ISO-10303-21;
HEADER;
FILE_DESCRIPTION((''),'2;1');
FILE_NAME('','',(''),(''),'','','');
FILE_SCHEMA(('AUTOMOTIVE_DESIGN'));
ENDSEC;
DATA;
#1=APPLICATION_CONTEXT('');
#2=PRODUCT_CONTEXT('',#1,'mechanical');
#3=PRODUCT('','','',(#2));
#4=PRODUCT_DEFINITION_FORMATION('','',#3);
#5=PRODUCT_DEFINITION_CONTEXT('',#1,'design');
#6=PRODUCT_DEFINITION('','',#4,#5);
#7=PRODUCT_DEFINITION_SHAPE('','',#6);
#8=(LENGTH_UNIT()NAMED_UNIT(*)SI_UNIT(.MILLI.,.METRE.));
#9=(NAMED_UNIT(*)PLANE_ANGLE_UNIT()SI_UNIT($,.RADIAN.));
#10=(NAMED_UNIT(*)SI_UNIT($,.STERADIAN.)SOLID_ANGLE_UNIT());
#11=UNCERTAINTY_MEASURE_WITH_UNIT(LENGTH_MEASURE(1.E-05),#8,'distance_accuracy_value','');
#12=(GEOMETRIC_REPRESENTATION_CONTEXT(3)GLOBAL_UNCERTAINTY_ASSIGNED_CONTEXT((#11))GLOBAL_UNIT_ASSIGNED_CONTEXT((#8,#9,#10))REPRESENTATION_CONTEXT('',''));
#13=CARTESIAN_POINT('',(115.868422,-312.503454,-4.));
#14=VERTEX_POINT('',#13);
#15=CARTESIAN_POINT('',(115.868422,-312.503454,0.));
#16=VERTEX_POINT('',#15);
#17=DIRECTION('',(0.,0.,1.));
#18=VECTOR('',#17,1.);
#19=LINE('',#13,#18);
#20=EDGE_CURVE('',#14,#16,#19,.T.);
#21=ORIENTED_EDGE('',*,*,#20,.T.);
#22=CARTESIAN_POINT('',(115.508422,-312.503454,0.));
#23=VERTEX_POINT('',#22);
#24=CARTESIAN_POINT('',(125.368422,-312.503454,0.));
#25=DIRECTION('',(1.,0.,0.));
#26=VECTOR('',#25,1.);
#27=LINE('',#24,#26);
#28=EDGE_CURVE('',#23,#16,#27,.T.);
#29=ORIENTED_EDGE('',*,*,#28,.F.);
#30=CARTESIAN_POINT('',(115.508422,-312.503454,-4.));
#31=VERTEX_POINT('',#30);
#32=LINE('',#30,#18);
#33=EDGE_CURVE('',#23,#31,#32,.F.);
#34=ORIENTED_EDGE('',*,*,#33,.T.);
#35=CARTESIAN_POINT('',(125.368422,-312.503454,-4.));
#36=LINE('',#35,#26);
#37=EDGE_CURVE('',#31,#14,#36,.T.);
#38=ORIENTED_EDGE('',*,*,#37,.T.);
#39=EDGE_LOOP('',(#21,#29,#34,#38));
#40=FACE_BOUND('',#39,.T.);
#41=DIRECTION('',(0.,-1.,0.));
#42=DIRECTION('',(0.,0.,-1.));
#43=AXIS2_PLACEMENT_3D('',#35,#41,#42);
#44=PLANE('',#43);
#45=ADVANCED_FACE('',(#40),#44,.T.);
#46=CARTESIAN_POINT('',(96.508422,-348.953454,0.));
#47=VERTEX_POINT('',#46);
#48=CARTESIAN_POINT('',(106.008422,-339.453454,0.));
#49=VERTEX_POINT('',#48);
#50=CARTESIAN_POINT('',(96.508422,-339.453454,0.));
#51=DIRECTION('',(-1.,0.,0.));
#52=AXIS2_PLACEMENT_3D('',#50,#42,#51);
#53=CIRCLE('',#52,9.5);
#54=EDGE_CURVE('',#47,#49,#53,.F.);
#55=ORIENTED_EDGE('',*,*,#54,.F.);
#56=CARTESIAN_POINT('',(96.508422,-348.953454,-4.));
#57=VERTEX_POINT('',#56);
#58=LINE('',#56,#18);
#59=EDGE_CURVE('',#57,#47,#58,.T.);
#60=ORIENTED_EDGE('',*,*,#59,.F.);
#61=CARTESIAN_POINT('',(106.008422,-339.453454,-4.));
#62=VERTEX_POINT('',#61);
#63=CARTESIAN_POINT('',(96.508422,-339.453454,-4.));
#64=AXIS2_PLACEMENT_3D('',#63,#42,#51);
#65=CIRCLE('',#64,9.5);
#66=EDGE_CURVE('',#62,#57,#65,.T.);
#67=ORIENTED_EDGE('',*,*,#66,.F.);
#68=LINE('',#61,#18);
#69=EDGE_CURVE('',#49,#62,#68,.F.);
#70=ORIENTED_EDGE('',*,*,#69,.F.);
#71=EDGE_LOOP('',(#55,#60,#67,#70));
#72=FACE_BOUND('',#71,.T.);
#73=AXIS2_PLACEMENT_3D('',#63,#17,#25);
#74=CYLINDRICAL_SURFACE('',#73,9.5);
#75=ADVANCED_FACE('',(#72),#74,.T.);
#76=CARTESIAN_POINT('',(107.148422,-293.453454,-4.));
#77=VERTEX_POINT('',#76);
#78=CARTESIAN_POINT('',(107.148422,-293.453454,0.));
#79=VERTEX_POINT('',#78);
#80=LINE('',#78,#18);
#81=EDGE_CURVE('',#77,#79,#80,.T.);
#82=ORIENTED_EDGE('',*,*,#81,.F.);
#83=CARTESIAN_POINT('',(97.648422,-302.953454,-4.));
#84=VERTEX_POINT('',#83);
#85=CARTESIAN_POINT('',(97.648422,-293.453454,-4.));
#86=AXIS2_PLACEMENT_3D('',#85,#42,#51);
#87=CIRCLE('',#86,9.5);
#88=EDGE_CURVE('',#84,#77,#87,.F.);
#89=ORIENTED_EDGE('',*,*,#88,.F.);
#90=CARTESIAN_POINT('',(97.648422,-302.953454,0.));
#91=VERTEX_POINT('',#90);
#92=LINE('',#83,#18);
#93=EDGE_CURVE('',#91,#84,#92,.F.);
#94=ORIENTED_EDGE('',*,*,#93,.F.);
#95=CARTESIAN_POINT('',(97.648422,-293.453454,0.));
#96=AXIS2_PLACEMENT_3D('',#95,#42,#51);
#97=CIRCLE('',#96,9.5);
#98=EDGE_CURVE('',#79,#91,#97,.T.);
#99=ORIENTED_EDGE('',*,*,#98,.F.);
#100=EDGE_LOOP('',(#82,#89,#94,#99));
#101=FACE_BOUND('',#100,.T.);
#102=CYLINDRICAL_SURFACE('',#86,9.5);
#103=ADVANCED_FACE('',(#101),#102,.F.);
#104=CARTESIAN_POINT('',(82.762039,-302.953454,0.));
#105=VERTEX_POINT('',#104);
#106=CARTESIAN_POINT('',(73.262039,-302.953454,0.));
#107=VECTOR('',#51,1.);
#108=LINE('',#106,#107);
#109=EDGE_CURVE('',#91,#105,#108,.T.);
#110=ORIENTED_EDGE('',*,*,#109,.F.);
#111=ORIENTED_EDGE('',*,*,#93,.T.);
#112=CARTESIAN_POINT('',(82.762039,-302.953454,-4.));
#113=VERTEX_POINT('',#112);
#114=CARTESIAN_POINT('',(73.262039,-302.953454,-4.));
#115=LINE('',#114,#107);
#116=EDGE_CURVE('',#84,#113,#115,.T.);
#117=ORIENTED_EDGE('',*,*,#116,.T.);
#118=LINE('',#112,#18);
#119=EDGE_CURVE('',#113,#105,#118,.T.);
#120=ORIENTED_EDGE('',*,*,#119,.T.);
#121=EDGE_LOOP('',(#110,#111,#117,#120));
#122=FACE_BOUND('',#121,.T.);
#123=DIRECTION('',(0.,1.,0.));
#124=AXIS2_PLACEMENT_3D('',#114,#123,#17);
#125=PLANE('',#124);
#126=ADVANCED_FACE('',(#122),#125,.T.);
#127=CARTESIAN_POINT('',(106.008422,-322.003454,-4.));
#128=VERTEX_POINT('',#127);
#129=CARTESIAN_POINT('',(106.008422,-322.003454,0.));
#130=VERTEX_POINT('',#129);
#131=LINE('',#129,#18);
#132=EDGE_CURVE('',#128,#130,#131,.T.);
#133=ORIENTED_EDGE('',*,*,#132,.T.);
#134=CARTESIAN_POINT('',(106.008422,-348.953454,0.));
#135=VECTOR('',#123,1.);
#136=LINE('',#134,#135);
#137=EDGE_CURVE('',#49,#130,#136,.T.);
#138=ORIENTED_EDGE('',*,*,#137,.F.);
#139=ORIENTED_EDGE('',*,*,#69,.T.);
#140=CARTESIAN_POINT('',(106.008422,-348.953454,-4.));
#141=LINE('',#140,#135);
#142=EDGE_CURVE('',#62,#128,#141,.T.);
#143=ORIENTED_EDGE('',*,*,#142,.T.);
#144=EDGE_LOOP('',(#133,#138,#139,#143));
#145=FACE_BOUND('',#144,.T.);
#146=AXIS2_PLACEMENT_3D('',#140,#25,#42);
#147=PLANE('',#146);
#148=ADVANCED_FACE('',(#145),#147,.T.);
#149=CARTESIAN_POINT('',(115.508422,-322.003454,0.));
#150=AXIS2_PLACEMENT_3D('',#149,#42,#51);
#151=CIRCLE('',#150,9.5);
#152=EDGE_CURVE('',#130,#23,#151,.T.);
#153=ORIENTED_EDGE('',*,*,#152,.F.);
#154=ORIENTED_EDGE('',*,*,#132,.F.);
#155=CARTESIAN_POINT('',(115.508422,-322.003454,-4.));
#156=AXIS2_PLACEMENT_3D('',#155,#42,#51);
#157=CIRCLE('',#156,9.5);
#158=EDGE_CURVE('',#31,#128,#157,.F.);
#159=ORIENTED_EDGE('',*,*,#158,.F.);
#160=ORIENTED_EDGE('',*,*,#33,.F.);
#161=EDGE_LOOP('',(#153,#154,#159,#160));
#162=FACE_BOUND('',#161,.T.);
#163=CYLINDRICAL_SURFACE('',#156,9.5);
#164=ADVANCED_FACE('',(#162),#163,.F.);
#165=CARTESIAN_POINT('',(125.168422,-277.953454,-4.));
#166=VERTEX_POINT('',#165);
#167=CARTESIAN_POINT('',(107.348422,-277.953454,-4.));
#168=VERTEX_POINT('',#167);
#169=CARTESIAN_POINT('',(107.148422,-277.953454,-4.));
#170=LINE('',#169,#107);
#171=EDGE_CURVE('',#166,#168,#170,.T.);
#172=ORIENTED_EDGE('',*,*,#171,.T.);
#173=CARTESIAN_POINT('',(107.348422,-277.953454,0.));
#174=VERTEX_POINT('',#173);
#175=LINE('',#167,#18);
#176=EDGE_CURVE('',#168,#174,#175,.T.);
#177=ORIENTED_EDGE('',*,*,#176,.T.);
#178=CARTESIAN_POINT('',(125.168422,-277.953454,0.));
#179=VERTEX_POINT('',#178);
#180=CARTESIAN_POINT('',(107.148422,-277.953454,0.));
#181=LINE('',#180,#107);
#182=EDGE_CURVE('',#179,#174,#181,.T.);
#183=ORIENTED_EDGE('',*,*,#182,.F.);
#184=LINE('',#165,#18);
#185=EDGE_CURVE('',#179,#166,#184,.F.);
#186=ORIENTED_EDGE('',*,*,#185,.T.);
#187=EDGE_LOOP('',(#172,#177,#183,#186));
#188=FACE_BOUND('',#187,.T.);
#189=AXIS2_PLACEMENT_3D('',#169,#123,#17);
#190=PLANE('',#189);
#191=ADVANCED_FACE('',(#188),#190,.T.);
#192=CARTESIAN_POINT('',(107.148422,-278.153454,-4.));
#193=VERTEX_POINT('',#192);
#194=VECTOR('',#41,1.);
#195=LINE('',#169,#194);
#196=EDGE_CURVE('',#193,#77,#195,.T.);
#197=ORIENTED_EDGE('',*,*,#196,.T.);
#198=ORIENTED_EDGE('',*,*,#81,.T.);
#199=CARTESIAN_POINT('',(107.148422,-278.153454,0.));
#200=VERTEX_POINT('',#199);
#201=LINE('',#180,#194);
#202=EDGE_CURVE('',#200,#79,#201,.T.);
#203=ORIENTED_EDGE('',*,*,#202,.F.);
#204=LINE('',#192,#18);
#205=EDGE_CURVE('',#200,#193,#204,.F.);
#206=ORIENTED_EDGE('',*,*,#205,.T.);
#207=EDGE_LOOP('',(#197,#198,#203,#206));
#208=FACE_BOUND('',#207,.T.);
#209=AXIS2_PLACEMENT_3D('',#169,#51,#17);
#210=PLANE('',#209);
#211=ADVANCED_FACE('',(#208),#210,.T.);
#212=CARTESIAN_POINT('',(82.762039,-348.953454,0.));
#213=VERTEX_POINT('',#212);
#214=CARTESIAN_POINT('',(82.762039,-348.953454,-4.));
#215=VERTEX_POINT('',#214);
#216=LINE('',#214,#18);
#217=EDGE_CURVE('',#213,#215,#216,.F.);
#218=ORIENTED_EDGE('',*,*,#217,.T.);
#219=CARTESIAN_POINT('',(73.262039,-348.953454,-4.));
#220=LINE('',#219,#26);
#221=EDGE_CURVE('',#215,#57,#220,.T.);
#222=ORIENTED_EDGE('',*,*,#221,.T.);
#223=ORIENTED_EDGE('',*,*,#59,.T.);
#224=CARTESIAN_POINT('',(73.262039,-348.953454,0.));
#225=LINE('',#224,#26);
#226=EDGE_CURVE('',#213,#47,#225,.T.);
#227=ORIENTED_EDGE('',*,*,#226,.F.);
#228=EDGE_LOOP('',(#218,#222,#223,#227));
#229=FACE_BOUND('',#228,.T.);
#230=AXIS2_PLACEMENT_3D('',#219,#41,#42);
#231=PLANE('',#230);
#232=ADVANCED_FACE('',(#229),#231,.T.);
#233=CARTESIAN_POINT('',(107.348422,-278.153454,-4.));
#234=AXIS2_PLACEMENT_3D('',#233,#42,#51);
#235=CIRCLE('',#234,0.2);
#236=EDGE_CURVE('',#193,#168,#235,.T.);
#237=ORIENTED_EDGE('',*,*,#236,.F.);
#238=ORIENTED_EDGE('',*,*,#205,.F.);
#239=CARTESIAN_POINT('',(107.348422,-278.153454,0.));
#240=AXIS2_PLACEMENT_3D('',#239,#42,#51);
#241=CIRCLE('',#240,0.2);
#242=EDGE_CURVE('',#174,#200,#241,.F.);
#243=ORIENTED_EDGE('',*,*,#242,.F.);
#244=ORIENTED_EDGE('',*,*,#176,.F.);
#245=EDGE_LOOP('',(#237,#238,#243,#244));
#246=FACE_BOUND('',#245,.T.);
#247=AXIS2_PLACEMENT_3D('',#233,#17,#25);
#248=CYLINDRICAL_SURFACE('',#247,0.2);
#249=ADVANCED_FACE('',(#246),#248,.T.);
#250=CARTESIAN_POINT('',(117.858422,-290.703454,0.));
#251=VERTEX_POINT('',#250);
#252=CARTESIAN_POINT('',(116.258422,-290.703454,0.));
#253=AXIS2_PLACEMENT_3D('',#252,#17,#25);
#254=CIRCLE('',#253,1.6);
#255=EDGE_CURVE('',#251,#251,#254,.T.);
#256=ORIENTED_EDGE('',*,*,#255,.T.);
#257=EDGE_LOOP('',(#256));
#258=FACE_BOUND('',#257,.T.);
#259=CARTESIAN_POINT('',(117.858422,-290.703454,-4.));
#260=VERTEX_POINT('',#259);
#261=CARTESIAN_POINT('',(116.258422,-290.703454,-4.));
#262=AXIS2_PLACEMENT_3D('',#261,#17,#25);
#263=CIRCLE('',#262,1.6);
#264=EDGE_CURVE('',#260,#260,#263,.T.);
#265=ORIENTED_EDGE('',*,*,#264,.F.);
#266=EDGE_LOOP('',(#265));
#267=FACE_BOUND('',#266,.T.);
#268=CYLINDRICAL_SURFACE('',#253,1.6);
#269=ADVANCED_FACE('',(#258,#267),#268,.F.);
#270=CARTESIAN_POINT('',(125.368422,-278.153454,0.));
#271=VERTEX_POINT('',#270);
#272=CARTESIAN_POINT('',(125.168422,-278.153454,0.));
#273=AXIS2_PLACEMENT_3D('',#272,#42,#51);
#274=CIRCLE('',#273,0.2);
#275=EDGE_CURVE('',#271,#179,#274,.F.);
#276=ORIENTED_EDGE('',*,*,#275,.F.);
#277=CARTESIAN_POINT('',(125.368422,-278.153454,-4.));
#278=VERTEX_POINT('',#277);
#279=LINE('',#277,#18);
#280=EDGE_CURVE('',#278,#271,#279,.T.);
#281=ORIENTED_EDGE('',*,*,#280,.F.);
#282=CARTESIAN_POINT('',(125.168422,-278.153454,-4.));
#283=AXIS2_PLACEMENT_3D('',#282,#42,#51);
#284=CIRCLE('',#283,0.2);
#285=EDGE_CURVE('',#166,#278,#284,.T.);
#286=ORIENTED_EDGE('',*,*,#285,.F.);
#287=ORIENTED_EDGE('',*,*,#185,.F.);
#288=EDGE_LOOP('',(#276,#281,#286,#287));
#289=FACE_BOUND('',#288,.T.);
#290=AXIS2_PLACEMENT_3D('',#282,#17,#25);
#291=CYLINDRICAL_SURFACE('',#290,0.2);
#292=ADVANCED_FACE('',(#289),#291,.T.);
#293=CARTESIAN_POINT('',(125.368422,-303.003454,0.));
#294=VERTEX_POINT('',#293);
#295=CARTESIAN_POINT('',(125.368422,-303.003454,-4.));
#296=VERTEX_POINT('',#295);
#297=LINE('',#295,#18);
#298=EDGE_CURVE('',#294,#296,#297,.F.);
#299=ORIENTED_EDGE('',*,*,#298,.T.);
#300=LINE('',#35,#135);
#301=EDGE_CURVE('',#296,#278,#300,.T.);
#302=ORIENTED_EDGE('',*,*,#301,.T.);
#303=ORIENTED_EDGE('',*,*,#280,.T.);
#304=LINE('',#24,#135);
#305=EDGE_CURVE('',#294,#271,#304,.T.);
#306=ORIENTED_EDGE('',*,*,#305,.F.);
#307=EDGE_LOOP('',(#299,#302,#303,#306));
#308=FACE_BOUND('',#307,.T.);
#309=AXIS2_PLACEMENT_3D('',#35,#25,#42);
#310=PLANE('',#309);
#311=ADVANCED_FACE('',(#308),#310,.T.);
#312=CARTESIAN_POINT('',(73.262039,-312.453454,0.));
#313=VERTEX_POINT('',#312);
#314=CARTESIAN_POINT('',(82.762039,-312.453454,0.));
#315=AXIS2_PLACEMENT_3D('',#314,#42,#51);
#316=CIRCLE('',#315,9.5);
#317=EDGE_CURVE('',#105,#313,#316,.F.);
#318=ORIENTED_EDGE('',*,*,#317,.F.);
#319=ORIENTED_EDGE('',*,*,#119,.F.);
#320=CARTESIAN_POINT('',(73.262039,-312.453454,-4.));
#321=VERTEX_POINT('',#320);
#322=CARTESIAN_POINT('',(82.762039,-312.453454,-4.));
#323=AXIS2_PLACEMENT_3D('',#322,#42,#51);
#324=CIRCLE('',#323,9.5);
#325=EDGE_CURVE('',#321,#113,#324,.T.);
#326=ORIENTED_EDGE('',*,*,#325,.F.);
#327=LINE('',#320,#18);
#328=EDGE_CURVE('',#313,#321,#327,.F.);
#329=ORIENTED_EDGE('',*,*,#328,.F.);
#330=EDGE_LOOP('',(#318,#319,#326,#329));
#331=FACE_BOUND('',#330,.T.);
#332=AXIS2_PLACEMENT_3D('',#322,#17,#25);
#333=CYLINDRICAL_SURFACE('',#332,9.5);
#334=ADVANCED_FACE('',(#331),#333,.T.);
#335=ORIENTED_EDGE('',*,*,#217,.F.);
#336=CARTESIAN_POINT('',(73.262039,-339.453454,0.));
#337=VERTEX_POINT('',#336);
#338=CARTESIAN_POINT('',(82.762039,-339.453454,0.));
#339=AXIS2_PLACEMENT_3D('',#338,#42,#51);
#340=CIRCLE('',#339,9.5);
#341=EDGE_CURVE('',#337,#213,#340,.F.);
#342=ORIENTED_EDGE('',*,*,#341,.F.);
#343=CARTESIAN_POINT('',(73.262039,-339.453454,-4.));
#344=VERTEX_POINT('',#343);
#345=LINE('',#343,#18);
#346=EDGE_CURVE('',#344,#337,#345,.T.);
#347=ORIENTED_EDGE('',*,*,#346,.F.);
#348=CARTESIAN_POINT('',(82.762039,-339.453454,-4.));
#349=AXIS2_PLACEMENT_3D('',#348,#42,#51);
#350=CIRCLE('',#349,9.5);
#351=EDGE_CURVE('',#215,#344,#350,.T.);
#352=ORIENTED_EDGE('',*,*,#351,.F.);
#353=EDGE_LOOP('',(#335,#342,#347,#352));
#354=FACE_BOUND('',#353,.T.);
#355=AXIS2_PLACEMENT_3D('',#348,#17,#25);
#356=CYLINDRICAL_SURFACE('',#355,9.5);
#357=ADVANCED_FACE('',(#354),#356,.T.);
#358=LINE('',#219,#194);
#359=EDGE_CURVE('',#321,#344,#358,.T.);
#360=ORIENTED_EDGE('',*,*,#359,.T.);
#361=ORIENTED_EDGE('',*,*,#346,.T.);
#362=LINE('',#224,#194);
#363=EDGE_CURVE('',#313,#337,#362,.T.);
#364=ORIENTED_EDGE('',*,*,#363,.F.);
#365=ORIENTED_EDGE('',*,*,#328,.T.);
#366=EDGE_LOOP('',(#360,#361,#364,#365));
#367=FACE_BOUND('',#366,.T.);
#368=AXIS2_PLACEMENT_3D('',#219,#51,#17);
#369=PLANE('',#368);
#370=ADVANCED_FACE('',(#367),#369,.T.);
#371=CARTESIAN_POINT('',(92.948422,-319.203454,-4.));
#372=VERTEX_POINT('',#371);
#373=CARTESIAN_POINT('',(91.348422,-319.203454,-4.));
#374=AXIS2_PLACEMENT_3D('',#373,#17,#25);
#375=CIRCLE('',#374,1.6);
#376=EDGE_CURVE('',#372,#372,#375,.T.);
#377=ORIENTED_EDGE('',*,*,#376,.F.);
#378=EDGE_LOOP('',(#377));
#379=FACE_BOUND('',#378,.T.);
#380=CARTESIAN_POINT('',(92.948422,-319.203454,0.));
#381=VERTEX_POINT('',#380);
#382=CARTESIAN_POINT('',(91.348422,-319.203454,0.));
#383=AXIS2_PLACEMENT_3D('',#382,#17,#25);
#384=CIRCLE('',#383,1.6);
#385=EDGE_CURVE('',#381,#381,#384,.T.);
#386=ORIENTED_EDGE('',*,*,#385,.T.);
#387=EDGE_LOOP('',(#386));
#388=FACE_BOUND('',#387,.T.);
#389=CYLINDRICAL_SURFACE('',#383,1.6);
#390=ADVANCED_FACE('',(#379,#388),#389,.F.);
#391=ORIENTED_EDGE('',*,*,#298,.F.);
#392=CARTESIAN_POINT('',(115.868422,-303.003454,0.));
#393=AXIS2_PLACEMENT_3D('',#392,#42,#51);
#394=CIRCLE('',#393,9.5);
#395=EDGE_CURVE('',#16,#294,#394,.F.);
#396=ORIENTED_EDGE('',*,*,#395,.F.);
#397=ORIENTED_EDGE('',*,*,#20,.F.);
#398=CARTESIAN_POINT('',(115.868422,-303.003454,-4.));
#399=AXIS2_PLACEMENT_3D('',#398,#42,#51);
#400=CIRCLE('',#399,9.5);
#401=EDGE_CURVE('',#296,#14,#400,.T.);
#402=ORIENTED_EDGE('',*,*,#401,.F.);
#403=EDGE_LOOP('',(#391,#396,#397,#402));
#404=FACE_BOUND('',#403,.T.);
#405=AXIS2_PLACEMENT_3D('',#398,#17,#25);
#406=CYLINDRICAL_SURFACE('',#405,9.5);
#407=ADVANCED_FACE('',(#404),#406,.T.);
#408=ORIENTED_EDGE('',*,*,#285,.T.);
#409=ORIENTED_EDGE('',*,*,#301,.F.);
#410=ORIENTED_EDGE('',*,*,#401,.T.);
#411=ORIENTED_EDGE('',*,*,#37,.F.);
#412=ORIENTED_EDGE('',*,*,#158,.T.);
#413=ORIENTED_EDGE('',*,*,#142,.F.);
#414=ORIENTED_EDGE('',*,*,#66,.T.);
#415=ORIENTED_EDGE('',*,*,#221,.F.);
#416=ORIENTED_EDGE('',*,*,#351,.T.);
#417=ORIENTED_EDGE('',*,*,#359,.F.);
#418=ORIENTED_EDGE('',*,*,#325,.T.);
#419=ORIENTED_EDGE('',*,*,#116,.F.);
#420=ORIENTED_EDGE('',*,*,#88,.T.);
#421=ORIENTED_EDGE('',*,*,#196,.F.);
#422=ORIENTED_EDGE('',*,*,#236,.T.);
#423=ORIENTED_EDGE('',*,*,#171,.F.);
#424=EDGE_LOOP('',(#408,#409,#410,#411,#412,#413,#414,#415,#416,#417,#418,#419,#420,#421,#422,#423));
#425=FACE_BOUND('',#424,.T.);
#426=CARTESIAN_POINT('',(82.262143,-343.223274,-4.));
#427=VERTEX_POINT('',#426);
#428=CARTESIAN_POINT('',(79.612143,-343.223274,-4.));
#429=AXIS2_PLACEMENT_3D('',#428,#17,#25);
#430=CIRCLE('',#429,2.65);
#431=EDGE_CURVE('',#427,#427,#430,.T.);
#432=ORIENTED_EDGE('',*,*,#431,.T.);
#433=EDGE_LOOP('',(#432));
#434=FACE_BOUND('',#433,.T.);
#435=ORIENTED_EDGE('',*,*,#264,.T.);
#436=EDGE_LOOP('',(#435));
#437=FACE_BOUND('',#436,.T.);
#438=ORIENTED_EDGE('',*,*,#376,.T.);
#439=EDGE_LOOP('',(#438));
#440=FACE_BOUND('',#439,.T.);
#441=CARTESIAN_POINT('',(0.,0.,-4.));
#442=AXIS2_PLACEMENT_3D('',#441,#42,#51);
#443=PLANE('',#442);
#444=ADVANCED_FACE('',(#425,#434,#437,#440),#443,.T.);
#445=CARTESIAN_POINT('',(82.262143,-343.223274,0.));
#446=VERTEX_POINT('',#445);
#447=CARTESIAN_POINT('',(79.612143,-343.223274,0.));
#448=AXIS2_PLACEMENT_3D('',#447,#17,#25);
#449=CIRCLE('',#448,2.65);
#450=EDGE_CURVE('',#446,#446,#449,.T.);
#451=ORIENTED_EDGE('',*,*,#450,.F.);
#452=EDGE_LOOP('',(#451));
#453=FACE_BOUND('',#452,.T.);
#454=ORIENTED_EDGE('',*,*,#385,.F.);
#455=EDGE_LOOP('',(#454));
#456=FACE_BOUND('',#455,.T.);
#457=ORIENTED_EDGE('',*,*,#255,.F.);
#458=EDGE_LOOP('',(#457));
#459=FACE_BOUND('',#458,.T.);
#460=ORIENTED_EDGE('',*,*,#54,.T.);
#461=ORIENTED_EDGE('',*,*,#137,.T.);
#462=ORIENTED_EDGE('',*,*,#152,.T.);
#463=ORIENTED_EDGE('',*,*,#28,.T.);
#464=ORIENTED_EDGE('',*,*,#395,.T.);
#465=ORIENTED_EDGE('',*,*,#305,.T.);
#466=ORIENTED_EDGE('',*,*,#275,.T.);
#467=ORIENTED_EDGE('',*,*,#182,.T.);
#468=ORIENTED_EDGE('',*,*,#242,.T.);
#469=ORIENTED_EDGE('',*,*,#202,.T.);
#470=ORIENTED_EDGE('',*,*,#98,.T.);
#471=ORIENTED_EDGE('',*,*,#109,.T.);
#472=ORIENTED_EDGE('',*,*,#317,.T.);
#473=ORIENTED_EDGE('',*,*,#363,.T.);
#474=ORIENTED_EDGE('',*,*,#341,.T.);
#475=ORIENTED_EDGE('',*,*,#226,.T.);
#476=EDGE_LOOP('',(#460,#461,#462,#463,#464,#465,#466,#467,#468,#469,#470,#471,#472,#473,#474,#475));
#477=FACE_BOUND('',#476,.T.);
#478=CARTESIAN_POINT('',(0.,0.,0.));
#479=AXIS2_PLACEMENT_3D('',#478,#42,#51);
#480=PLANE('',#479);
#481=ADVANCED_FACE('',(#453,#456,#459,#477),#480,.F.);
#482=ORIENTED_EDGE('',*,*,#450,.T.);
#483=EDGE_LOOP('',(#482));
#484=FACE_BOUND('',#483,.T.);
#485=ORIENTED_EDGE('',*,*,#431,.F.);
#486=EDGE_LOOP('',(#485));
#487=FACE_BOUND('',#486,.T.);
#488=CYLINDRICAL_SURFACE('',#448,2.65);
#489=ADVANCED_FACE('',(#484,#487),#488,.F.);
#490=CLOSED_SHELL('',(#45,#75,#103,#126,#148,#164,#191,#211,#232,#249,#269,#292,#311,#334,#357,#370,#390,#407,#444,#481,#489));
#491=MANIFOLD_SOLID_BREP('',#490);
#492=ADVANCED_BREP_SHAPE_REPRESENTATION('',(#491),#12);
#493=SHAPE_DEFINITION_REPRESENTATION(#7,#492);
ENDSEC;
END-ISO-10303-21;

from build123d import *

# Parameters (mm, degrees)
BOSS_EXTRUDE1_DEPTH  = 4
FILLET1_R            = 9.5
M3_CLEARANCE_HOLE1_D = 3.2
M5_CLEARANCE_HOLE1_D = 5.3
FILLET2_R            = 0.2


with BuildPart() as part:
    # Sketch1 → Boss-Extrude1 (new body)
    with BuildSketch(Plane.XY):
        Polygon((73.262039089, -348.953453607), (106.008421642, -348.953453607), (106.008421642, -312.503453607), (125.368421642, -312.503453607), (125.368421642, -277.953453607), (107.148421642, -277.953453607), (107.148421642, -302.953453607), (73.262039089, -302.953453607), align=None)
    extrude(amount=-BOSS_EXTRUDE1_DEPTH)

    # Fillet1
    fillet1_edges = [part.edges().sort_by_distance(p)[0] for p in [
        (73.262039089, -302.953453607, -2),
        (107.148421642, -302.953453607, -2),
        (125.368421642, -312.503453607, -2),
        (106.008421642, -312.503453607, -2),
        (106.008421642, -348.953453607, -2),
        (73.262039089, -348.953453607, -2),
    ]]
    fillet(fillet1_edges, radius=FILLET1_R)

    # M3 Clearance Hole1 (through all)
    with Locations(Plane.XY):
        with Locations((116.258421642, -290.703453607), (91.348421642, -319.203453607)):
            Hole(M3_CLEARANCE_HOLE1_D / 2)

    # M5 Clearance Hole1 (through all)
    with Locations(Plane.XY):
        with Locations((79.612142542, -343.223274497)):
            Hole(M5_CLEARANCE_HOLE1_D / 2)

    # Fillet2
    fillet2_edges = [part.edges().sort_by_distance(p)[0] for p in [
        (107.148421642, -277.953453607, -2),
        (125.368421642, -277.953453607, -2),
    ]]
    fillet(fillet2_edges, radius=FILLET2_R)


solid = part.part
